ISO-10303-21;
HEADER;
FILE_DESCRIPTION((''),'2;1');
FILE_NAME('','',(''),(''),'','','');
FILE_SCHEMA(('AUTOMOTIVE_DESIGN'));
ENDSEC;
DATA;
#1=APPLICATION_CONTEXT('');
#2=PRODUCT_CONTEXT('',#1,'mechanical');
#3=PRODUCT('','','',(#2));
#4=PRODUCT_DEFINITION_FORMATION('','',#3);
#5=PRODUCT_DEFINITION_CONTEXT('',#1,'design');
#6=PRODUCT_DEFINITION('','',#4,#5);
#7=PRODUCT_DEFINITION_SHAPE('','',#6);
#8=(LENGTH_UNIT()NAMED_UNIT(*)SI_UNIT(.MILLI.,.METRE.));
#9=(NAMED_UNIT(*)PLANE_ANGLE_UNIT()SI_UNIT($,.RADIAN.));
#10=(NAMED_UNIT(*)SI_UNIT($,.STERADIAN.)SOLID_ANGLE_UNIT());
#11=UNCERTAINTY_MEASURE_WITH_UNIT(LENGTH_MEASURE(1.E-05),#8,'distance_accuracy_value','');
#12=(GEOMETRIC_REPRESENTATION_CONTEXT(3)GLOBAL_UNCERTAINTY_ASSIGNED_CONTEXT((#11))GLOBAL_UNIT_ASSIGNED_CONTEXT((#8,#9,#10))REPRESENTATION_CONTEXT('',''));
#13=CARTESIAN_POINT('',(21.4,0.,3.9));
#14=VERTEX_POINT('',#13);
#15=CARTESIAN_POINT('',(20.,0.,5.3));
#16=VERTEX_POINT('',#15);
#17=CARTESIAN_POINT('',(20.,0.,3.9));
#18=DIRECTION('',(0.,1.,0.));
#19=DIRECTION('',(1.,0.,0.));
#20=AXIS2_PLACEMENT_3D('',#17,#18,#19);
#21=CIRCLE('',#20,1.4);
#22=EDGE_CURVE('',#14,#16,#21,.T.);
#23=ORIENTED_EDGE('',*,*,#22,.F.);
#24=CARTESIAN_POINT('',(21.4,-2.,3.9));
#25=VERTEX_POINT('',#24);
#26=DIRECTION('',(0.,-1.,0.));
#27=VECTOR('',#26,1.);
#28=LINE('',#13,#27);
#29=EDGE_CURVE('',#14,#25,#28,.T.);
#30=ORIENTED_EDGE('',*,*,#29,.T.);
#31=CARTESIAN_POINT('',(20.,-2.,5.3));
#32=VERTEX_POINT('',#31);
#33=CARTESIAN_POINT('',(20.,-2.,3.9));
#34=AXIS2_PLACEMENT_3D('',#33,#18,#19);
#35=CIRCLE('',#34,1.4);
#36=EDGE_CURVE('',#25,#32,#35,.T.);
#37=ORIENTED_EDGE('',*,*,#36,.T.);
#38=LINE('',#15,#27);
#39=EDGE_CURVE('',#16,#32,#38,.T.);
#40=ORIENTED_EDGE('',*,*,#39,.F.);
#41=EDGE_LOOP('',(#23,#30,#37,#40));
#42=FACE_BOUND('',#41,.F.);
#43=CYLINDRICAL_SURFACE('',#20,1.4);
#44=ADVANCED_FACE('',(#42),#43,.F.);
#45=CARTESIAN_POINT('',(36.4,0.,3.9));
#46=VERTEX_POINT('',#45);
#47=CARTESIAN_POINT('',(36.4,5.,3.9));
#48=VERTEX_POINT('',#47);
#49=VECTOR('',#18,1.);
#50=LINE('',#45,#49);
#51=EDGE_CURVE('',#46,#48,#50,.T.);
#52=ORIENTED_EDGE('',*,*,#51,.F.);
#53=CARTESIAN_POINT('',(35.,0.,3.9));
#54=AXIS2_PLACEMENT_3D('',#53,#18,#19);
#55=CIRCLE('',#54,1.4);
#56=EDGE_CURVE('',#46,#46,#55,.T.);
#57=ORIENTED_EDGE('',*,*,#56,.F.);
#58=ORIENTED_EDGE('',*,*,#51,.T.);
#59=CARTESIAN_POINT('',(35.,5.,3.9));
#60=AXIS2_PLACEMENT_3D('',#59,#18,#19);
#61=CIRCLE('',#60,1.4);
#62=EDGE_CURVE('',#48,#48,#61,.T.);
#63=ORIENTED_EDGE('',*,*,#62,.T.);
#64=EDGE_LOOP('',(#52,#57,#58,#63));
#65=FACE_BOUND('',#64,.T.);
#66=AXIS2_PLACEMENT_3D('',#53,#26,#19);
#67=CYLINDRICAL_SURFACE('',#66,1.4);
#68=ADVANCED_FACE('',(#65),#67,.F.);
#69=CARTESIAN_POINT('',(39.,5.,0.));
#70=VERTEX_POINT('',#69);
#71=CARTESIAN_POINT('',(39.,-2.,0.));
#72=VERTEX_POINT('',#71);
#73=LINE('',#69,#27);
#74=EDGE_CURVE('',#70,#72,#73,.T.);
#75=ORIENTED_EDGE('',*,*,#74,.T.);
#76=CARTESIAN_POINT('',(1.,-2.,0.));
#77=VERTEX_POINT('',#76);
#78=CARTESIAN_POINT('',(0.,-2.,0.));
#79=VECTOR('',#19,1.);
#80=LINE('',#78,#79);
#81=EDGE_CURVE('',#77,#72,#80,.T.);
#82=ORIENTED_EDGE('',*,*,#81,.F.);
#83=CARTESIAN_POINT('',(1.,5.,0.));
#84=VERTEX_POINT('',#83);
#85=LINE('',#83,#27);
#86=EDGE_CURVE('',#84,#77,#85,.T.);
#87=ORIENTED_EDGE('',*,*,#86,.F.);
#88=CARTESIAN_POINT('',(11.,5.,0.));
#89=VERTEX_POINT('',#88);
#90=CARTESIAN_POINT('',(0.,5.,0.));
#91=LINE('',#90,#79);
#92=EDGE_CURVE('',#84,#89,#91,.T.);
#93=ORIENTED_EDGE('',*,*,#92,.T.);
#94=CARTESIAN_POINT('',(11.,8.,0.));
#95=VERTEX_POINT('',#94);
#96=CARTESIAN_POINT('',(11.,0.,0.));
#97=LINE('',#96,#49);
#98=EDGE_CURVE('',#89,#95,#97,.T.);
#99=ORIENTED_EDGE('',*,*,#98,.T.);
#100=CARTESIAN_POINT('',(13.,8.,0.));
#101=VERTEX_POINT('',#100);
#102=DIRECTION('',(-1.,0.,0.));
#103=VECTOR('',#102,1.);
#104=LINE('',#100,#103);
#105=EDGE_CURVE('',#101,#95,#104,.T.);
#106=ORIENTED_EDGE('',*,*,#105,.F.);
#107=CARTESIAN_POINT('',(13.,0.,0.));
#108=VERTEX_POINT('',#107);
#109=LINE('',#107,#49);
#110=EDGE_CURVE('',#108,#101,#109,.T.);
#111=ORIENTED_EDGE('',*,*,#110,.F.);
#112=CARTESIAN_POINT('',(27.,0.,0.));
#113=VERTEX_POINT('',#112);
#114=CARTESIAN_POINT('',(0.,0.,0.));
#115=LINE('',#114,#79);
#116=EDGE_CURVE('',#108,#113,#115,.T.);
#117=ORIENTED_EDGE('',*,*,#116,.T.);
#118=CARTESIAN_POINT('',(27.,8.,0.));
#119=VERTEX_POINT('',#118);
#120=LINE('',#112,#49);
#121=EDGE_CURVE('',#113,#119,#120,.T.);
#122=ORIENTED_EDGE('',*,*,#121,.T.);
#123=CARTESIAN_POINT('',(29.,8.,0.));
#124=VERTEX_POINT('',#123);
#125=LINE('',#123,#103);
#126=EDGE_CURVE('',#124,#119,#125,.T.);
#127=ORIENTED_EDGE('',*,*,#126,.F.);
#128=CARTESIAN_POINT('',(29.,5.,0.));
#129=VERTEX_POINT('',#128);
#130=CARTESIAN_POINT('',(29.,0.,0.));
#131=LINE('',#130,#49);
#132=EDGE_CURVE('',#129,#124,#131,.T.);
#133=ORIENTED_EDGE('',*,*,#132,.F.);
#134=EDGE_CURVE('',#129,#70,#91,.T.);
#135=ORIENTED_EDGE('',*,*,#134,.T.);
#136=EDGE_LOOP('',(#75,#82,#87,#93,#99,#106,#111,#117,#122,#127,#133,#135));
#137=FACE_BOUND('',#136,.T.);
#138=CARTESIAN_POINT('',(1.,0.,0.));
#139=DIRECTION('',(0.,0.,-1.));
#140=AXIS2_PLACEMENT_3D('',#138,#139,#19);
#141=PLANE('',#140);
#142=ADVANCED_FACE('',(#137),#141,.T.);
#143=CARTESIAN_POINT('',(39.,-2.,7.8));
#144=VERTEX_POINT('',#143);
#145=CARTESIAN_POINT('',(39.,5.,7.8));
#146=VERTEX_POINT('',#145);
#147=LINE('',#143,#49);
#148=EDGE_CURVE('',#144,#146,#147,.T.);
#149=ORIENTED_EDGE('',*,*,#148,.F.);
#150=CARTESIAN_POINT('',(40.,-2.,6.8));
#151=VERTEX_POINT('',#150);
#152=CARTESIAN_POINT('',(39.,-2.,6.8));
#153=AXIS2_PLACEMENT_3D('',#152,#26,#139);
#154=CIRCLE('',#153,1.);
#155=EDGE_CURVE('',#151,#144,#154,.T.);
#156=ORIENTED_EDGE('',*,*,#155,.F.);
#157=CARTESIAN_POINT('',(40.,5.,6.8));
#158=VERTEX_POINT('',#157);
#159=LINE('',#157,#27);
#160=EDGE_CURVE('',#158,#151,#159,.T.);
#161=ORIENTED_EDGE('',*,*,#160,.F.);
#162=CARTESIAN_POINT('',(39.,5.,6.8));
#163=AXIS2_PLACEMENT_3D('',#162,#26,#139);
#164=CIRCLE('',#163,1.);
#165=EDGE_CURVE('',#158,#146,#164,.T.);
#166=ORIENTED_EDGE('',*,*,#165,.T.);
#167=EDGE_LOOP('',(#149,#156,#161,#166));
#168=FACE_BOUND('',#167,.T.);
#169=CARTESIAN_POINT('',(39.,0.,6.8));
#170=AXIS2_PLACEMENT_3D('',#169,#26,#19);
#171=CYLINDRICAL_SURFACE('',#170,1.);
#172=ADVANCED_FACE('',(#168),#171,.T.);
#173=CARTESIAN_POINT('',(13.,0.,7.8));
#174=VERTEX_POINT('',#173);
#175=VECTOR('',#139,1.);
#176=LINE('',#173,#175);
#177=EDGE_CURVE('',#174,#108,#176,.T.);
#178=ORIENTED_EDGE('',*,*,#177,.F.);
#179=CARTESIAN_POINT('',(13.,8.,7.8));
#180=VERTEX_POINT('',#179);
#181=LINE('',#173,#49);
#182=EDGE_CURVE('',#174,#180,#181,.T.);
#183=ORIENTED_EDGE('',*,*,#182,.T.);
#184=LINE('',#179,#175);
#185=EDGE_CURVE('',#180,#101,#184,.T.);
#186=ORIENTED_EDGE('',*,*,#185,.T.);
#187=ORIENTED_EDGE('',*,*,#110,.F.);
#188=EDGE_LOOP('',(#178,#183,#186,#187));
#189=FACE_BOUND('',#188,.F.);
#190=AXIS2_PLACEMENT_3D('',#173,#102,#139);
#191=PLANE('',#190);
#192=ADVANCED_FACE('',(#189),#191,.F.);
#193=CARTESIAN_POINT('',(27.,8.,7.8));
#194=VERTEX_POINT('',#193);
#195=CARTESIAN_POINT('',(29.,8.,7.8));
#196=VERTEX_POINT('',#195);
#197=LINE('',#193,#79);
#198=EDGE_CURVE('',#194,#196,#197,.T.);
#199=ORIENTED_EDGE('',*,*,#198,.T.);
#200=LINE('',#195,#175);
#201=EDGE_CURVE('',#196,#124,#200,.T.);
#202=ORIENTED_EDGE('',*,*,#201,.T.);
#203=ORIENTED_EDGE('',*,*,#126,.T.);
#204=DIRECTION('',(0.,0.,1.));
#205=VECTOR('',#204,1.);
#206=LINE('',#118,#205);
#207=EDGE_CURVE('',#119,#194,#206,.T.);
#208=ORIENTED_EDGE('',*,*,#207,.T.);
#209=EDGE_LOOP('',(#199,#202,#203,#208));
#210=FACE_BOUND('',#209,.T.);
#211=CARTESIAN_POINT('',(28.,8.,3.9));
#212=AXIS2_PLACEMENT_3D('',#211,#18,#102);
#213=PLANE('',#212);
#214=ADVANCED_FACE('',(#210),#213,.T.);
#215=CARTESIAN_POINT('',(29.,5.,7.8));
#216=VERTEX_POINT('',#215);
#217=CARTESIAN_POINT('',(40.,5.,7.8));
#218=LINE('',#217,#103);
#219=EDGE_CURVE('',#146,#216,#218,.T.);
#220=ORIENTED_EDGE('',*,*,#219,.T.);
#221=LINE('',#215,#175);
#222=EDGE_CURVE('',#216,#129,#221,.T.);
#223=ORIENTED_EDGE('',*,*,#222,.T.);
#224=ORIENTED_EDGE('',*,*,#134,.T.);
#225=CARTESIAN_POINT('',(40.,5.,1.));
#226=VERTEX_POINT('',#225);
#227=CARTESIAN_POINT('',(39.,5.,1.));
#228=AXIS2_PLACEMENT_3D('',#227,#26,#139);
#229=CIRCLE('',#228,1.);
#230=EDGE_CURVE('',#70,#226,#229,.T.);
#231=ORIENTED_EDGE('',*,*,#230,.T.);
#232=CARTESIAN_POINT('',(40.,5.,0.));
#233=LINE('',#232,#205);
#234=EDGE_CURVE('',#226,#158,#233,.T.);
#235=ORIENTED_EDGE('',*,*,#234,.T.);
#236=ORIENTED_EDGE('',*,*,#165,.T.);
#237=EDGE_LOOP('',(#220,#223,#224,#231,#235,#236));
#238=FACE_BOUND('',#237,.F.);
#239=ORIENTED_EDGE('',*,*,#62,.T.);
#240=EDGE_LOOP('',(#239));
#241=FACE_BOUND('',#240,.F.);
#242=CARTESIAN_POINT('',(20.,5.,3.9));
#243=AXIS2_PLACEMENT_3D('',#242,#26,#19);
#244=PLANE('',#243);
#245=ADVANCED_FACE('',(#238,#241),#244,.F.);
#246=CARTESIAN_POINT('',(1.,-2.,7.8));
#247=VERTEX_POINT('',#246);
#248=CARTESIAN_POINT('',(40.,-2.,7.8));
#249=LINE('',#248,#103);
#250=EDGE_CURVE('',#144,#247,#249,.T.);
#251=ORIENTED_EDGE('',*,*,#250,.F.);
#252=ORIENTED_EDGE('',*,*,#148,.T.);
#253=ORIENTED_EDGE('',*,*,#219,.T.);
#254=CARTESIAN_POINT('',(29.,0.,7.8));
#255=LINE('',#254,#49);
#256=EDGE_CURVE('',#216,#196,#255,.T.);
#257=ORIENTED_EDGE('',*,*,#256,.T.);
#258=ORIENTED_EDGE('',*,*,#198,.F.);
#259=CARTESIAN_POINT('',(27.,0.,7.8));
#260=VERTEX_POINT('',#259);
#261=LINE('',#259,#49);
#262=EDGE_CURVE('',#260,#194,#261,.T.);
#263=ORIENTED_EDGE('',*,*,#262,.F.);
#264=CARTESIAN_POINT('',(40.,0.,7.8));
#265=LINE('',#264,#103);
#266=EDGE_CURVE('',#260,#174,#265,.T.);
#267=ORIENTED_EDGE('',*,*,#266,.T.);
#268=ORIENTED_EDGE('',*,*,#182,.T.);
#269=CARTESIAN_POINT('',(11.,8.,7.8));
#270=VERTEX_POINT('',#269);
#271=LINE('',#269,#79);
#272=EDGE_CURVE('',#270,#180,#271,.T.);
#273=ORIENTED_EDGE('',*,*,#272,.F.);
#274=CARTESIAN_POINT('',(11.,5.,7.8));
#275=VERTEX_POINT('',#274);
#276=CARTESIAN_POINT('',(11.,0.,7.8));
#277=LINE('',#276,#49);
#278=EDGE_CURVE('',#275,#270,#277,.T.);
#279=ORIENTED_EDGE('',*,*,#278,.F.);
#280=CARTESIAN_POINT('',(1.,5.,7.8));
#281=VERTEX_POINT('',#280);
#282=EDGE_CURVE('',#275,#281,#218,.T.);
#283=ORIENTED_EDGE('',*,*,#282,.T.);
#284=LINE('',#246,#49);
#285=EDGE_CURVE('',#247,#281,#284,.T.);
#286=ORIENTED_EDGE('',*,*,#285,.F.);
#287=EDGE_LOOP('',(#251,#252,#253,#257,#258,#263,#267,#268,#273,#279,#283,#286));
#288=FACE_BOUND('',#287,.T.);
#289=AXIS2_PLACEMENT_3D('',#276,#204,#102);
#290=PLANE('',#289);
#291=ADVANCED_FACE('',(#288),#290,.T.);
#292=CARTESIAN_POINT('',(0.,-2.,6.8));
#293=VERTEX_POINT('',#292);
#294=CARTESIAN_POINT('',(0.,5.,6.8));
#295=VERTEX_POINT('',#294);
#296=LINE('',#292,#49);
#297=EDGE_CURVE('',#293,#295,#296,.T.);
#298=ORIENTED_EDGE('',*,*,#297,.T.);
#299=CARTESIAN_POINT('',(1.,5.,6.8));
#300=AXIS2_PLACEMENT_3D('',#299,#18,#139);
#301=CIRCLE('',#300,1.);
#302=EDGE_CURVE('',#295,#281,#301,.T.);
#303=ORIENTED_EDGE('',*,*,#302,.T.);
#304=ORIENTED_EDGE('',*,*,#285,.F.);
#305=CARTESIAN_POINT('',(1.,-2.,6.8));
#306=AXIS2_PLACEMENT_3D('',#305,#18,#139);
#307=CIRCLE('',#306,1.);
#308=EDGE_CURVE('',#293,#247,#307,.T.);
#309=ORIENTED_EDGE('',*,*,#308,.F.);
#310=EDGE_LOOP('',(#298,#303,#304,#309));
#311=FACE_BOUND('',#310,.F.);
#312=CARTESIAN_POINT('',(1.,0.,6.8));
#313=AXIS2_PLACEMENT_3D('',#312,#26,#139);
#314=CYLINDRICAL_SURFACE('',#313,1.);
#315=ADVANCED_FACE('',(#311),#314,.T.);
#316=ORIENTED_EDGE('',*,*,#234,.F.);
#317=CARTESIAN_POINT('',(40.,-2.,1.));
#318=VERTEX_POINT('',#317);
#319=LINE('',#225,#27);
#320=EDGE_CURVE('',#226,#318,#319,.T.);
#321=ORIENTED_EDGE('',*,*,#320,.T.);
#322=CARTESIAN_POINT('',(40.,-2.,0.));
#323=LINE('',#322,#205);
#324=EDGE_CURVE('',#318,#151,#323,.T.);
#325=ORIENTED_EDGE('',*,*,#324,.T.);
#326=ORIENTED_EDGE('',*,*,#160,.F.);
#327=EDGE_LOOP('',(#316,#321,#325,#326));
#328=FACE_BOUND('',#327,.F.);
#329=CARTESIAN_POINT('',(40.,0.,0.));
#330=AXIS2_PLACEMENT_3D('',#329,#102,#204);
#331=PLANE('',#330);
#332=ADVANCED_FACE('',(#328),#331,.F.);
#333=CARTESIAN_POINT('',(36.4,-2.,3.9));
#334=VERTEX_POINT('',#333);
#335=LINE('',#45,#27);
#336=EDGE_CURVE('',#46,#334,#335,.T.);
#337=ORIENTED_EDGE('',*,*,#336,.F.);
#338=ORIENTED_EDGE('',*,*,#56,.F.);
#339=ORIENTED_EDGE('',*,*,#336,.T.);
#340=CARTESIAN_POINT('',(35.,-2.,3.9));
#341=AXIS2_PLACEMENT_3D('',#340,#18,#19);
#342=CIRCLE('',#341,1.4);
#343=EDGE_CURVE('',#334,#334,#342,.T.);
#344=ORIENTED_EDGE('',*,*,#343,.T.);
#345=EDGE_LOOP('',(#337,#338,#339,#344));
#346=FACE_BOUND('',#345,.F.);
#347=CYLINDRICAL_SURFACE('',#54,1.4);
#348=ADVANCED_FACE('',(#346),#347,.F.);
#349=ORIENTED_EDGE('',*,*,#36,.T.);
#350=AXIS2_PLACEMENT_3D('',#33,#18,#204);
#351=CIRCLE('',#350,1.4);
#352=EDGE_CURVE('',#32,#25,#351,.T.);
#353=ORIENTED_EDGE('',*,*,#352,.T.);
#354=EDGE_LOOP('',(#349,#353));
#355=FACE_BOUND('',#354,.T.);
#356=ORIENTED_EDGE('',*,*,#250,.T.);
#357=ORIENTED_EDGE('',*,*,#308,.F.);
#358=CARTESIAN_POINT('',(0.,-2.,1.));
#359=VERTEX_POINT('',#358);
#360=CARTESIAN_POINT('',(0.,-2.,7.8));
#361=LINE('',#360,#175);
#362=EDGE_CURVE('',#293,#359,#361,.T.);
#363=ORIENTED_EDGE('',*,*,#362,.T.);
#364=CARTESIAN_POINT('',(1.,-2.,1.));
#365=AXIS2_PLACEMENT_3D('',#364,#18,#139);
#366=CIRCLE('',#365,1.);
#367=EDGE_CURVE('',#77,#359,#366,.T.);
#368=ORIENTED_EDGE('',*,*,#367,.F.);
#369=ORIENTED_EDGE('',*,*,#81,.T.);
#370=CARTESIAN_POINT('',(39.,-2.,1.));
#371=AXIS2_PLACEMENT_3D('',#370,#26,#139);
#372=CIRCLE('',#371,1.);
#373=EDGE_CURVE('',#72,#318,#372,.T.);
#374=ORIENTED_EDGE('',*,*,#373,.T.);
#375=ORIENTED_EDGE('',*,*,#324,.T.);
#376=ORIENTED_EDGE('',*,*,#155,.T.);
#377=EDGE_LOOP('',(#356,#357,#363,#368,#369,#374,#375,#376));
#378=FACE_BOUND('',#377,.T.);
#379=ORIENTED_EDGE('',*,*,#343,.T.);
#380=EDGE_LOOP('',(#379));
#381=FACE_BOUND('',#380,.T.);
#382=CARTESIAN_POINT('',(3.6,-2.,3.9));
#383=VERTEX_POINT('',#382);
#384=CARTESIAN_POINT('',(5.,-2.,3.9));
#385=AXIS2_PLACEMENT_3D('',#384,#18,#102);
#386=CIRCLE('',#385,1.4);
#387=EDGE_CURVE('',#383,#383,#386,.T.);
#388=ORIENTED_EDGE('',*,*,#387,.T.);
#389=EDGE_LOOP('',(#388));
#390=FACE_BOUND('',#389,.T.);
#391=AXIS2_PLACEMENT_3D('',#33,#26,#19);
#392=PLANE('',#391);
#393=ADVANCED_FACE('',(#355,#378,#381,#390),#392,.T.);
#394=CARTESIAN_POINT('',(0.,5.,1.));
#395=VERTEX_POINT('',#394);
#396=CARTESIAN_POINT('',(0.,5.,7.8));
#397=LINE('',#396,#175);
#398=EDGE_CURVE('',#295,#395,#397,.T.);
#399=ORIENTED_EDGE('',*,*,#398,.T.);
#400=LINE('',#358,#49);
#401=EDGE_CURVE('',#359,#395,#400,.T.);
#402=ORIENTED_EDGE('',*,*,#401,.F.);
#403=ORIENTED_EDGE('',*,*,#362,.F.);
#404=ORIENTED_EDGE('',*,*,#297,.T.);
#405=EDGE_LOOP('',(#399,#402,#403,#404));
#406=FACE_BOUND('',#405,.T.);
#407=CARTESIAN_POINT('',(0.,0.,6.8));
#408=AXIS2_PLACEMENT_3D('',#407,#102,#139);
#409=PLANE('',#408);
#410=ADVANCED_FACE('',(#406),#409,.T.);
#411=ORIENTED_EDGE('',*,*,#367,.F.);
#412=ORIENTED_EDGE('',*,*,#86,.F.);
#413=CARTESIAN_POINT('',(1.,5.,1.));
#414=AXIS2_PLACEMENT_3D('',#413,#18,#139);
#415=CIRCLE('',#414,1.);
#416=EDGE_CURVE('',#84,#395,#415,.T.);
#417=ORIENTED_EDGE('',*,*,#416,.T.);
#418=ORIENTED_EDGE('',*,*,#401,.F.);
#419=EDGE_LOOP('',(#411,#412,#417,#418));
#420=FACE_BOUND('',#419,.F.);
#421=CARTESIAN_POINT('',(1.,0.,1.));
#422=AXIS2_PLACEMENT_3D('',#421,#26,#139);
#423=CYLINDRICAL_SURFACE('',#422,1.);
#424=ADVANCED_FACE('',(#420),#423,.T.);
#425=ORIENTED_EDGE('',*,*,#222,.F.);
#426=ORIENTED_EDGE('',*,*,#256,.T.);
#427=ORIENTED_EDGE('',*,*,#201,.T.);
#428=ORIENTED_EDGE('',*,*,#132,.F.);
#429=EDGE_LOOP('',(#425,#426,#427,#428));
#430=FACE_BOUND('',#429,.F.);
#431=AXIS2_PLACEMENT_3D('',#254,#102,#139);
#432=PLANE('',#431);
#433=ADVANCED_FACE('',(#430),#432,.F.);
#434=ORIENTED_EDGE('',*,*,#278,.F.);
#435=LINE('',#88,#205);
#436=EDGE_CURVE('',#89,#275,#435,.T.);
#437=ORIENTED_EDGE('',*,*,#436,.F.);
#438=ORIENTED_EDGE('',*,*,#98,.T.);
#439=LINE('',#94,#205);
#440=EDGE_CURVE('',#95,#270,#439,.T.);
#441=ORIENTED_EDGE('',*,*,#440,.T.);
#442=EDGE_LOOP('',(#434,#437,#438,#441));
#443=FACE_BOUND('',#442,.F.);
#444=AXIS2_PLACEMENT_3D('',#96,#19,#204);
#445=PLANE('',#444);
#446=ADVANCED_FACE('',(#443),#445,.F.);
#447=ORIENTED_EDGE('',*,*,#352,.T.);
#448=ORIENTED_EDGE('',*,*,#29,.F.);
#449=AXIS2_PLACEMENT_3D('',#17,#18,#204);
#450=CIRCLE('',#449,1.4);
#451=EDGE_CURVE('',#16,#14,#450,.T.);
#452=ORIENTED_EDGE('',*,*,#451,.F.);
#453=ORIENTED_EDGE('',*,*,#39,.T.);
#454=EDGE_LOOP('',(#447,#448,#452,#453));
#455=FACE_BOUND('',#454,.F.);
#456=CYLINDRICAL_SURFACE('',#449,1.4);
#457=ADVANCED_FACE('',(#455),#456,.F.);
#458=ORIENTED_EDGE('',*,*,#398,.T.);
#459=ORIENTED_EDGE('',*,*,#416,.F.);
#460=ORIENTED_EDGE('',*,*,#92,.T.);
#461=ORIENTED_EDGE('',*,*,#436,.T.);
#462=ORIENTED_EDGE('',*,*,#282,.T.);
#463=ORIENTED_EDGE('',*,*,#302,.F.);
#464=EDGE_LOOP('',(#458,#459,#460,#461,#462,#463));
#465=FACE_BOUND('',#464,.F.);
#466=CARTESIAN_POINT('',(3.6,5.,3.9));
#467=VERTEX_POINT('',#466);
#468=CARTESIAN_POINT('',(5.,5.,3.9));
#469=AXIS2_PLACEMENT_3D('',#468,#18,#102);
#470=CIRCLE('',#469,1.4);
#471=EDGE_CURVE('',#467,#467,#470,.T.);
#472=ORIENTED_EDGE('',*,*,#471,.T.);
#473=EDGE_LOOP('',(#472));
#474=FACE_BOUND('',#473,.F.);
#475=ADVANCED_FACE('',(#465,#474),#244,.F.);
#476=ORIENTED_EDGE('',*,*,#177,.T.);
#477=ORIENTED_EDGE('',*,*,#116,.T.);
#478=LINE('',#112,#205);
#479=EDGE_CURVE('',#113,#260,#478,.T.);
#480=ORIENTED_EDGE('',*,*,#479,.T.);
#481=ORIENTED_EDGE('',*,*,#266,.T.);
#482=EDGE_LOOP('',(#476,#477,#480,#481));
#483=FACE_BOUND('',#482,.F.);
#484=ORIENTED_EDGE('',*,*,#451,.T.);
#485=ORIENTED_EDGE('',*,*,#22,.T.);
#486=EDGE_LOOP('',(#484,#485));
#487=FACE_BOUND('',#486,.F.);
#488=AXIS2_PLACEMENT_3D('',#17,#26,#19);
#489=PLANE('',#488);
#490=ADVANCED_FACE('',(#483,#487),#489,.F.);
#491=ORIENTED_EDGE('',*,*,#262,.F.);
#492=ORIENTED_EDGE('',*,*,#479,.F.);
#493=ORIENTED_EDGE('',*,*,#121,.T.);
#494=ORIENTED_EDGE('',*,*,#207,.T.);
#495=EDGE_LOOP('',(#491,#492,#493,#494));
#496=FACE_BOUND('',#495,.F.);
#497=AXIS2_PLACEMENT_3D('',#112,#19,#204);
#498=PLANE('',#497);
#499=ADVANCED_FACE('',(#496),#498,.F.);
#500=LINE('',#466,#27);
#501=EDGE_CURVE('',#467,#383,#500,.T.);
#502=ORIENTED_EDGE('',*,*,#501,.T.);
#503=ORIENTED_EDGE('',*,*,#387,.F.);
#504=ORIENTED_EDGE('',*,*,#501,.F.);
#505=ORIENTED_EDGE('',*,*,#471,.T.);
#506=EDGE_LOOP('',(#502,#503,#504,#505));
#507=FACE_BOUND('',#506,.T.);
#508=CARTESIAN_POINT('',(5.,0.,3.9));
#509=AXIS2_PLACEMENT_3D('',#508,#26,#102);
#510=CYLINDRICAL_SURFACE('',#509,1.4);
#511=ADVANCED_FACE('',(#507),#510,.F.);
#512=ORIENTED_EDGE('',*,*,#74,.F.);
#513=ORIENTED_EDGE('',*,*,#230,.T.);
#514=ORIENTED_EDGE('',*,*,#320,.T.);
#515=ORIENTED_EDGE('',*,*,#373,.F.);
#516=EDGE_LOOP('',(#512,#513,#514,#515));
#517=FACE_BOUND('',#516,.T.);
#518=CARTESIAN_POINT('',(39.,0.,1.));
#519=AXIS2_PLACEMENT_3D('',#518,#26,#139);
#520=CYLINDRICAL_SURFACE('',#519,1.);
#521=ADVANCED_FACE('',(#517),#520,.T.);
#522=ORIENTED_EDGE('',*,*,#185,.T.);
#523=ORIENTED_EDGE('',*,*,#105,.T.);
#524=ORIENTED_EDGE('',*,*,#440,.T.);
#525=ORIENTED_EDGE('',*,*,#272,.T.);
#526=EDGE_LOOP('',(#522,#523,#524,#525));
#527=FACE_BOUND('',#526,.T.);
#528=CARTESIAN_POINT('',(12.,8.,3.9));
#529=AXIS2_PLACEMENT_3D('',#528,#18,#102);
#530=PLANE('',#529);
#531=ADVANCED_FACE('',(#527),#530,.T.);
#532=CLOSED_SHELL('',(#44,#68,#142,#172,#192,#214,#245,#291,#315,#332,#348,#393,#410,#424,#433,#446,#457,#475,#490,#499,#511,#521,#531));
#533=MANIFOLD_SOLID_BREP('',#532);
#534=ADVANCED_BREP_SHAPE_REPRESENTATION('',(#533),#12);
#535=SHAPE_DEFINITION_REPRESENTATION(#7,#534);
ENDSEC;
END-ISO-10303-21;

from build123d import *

# Parameters (mm, degrees)
F1_DEPTH = 2
F2_R     = 1
F4_DEPTH = 8
F5_DEPTH = 5


with BuildPart() as f1:
    # F0 (on Front) → F1 (new body)
    with BuildSketch(Plane.XZ):
        Polygon((0, 3.9), (0, 0), (40, 0), (40, 3.9), (40, 7.8), (20, 7.8), (0, 7.8), align=None)
        with BuildLine():
            ThreePointArc((6.4, 3.9), (5, 2.5), (3.6, 3.9))
            ThreePointArc((3.6, 3.9), (5, 5.3), (6.4, 3.9))
        make_face(mode=Mode.SUBTRACT)
        with BuildLine():
            ThreePointArc((21.4, 3.9), (19.0100505063, 2.9100505063), (20, 5.3))
            ThreePointArc((20, 5.3), (20.9899494937, 4.8899494937), (21.4, 3.9))
        make_face(mode=Mode.SUBTRACT)
        with BuildLine():
            ThreePointArc((33.6, 3.9), (35, 5.3), (36.4, 3.9))
            ThreePointArc((36.4, 3.9), (35, 2.5), (33.6, 3.9))
        make_face(mode=Mode.SUBTRACT)
    extrude(amount=F1_DEPTH)

    # F2
    f2_edges = [f1.edges().sort_by_distance(p)[0] for p in [
        (0, -1, 7.8),
        (0, -1, 0),
        (40, -1, 7.8),
        (40, -1, 0),
    ]]
    fillet(f2_edges, radius=F2_R)

    # F3 (on face) → F4 (join)
    with BuildSketch(Plane(origin=(0, 0, 0), x_dir=(-1, 0, 0), z_dir=(0, 1, 0))):
        Polygon((-13, 7.8), (-13, 3.9), (-13, 0), (-11, 0), (-11, 7.8), align=None)
        Polygon((-27, 0), (-27, 3.9), (-27, 7.8), (-29, 7.8), (-29, 0), align=None)
    extrude(amount=F4_DEPTH)

    # F5 (add): faces of the model
    f5_faces = [f1.faces().sort_by_distance(p)[0] for p in [
        (0.3882451983, 0, 0.3882451983),
        (29.1348480626, 0, 3.9),
    ]]
    extrude(f5_faces, amount=F5_DEPTH)


solid = f1.part
